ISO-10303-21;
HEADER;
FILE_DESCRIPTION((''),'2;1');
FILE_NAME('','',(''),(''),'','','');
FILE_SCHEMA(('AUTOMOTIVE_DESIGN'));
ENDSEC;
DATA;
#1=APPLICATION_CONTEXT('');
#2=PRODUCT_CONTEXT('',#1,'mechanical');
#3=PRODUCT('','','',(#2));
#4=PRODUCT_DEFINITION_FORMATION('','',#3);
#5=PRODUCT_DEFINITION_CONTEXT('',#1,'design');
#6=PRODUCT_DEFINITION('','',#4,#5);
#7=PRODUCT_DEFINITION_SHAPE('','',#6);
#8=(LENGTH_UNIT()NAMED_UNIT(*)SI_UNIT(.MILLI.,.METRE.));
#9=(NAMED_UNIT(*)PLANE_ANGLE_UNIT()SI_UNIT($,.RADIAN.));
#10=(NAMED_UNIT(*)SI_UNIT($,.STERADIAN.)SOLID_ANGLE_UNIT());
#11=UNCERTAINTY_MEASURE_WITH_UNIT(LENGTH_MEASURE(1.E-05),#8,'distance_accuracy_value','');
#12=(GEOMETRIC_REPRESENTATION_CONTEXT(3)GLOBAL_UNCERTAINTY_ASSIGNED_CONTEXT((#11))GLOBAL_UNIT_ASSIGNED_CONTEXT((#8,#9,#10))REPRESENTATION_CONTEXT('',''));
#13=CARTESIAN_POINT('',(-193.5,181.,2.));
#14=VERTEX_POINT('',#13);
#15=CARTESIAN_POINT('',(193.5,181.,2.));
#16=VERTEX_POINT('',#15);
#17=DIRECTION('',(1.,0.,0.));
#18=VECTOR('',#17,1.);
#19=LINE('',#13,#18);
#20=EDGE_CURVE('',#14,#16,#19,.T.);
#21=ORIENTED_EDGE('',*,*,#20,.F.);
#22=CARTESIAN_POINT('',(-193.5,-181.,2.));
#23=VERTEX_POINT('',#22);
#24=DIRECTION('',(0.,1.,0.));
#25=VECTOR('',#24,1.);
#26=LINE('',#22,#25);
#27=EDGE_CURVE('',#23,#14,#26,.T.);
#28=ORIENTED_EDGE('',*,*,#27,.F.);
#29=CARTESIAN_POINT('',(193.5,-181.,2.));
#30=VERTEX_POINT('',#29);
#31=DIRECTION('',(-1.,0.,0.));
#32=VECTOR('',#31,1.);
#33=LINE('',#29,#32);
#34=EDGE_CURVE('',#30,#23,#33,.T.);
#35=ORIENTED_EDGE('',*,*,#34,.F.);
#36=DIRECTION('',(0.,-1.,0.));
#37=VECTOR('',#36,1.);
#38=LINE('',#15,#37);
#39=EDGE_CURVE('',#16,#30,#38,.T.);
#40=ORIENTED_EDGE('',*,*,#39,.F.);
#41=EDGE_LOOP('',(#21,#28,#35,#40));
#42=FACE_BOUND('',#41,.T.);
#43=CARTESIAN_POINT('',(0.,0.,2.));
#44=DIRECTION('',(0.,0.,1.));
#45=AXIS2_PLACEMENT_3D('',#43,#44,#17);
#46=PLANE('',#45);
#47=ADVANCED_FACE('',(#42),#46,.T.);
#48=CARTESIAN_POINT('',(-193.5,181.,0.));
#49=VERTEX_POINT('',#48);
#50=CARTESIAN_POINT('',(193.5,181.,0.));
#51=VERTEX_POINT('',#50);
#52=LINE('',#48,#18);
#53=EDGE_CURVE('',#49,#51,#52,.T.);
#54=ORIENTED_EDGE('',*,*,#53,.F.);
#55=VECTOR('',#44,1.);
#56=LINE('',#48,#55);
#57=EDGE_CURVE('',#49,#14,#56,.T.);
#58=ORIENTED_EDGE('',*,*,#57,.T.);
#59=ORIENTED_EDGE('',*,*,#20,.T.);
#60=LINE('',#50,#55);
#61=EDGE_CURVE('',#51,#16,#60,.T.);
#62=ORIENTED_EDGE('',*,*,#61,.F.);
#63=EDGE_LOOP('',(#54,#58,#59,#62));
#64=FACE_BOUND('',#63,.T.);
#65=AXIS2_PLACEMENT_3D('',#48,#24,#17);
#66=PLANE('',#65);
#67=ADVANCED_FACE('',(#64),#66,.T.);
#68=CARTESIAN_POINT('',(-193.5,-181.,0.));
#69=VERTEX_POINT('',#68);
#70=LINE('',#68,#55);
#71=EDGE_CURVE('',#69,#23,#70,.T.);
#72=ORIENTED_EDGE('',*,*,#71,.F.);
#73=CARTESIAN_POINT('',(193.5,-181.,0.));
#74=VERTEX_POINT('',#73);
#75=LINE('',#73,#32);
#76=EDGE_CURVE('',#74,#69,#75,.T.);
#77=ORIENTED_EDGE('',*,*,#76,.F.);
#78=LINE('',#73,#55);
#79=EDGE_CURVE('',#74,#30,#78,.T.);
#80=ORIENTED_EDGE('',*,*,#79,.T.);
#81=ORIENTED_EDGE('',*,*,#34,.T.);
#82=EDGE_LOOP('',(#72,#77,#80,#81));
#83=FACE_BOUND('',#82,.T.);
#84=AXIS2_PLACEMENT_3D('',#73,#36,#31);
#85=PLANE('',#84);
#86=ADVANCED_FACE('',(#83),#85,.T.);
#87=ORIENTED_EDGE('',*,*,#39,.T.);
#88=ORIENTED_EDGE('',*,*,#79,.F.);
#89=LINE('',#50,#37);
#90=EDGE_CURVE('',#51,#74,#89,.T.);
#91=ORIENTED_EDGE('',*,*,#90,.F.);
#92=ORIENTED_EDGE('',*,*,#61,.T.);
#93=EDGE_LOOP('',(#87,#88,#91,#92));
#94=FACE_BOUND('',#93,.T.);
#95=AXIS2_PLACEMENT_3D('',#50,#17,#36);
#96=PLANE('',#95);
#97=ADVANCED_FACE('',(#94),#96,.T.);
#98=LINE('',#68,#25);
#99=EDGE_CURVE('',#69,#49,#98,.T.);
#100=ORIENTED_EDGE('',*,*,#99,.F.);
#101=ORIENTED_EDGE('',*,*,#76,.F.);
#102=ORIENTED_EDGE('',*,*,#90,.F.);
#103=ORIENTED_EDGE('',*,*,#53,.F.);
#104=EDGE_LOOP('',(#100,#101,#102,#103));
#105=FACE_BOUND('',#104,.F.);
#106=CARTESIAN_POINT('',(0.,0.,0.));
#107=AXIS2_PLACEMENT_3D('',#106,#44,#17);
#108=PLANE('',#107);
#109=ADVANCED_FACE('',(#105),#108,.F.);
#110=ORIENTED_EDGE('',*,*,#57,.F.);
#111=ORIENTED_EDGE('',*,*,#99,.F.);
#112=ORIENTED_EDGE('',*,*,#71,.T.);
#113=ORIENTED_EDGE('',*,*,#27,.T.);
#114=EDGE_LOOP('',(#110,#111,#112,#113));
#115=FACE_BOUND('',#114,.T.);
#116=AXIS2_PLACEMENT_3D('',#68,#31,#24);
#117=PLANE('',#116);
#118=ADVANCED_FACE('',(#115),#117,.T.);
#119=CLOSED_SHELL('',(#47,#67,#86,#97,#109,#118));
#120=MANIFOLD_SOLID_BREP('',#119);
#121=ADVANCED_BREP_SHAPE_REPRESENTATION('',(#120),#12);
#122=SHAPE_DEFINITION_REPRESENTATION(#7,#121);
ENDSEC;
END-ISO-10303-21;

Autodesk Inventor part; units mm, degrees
ref_plane "YZ Plane" through (0, 0, 0) normal (1, 0, 0) x (0, 1, 0)
ref_plane "XZ Plane" through (0, 0, 0) normal (0, 1, 0) x (-1, 0, 0)
ref_plane "XY Plane" through (0, 0, 0) normal (0, 0, 1) x (1, 0, 0)
sketch "Sketch1" plane through (0, 0, 0) normal (0, 0, 1) x (1, 0, 0)
  line L0 (0, 253.4) -> (0, -253.4) construction
  line L1 (-270.9, 0) -> (270.9, 0) construction
  line L2 (-193.5, 181) -> (193.5, 181)
  line L3 (193.5, 181) -> (193.5, -181)
  line L4 (193.5, -181) -> (-193.5, -181)
  line L5 (-193.5, -181) -> (-193.5, 181)
  point P0 (0, 0)
  dimension "d0" = 362
  dimension "d1" = 387
extrude "Extrusion1" add sketch "Sketch1" along normal blind 2
properties part number "Front_Cover_V1"
